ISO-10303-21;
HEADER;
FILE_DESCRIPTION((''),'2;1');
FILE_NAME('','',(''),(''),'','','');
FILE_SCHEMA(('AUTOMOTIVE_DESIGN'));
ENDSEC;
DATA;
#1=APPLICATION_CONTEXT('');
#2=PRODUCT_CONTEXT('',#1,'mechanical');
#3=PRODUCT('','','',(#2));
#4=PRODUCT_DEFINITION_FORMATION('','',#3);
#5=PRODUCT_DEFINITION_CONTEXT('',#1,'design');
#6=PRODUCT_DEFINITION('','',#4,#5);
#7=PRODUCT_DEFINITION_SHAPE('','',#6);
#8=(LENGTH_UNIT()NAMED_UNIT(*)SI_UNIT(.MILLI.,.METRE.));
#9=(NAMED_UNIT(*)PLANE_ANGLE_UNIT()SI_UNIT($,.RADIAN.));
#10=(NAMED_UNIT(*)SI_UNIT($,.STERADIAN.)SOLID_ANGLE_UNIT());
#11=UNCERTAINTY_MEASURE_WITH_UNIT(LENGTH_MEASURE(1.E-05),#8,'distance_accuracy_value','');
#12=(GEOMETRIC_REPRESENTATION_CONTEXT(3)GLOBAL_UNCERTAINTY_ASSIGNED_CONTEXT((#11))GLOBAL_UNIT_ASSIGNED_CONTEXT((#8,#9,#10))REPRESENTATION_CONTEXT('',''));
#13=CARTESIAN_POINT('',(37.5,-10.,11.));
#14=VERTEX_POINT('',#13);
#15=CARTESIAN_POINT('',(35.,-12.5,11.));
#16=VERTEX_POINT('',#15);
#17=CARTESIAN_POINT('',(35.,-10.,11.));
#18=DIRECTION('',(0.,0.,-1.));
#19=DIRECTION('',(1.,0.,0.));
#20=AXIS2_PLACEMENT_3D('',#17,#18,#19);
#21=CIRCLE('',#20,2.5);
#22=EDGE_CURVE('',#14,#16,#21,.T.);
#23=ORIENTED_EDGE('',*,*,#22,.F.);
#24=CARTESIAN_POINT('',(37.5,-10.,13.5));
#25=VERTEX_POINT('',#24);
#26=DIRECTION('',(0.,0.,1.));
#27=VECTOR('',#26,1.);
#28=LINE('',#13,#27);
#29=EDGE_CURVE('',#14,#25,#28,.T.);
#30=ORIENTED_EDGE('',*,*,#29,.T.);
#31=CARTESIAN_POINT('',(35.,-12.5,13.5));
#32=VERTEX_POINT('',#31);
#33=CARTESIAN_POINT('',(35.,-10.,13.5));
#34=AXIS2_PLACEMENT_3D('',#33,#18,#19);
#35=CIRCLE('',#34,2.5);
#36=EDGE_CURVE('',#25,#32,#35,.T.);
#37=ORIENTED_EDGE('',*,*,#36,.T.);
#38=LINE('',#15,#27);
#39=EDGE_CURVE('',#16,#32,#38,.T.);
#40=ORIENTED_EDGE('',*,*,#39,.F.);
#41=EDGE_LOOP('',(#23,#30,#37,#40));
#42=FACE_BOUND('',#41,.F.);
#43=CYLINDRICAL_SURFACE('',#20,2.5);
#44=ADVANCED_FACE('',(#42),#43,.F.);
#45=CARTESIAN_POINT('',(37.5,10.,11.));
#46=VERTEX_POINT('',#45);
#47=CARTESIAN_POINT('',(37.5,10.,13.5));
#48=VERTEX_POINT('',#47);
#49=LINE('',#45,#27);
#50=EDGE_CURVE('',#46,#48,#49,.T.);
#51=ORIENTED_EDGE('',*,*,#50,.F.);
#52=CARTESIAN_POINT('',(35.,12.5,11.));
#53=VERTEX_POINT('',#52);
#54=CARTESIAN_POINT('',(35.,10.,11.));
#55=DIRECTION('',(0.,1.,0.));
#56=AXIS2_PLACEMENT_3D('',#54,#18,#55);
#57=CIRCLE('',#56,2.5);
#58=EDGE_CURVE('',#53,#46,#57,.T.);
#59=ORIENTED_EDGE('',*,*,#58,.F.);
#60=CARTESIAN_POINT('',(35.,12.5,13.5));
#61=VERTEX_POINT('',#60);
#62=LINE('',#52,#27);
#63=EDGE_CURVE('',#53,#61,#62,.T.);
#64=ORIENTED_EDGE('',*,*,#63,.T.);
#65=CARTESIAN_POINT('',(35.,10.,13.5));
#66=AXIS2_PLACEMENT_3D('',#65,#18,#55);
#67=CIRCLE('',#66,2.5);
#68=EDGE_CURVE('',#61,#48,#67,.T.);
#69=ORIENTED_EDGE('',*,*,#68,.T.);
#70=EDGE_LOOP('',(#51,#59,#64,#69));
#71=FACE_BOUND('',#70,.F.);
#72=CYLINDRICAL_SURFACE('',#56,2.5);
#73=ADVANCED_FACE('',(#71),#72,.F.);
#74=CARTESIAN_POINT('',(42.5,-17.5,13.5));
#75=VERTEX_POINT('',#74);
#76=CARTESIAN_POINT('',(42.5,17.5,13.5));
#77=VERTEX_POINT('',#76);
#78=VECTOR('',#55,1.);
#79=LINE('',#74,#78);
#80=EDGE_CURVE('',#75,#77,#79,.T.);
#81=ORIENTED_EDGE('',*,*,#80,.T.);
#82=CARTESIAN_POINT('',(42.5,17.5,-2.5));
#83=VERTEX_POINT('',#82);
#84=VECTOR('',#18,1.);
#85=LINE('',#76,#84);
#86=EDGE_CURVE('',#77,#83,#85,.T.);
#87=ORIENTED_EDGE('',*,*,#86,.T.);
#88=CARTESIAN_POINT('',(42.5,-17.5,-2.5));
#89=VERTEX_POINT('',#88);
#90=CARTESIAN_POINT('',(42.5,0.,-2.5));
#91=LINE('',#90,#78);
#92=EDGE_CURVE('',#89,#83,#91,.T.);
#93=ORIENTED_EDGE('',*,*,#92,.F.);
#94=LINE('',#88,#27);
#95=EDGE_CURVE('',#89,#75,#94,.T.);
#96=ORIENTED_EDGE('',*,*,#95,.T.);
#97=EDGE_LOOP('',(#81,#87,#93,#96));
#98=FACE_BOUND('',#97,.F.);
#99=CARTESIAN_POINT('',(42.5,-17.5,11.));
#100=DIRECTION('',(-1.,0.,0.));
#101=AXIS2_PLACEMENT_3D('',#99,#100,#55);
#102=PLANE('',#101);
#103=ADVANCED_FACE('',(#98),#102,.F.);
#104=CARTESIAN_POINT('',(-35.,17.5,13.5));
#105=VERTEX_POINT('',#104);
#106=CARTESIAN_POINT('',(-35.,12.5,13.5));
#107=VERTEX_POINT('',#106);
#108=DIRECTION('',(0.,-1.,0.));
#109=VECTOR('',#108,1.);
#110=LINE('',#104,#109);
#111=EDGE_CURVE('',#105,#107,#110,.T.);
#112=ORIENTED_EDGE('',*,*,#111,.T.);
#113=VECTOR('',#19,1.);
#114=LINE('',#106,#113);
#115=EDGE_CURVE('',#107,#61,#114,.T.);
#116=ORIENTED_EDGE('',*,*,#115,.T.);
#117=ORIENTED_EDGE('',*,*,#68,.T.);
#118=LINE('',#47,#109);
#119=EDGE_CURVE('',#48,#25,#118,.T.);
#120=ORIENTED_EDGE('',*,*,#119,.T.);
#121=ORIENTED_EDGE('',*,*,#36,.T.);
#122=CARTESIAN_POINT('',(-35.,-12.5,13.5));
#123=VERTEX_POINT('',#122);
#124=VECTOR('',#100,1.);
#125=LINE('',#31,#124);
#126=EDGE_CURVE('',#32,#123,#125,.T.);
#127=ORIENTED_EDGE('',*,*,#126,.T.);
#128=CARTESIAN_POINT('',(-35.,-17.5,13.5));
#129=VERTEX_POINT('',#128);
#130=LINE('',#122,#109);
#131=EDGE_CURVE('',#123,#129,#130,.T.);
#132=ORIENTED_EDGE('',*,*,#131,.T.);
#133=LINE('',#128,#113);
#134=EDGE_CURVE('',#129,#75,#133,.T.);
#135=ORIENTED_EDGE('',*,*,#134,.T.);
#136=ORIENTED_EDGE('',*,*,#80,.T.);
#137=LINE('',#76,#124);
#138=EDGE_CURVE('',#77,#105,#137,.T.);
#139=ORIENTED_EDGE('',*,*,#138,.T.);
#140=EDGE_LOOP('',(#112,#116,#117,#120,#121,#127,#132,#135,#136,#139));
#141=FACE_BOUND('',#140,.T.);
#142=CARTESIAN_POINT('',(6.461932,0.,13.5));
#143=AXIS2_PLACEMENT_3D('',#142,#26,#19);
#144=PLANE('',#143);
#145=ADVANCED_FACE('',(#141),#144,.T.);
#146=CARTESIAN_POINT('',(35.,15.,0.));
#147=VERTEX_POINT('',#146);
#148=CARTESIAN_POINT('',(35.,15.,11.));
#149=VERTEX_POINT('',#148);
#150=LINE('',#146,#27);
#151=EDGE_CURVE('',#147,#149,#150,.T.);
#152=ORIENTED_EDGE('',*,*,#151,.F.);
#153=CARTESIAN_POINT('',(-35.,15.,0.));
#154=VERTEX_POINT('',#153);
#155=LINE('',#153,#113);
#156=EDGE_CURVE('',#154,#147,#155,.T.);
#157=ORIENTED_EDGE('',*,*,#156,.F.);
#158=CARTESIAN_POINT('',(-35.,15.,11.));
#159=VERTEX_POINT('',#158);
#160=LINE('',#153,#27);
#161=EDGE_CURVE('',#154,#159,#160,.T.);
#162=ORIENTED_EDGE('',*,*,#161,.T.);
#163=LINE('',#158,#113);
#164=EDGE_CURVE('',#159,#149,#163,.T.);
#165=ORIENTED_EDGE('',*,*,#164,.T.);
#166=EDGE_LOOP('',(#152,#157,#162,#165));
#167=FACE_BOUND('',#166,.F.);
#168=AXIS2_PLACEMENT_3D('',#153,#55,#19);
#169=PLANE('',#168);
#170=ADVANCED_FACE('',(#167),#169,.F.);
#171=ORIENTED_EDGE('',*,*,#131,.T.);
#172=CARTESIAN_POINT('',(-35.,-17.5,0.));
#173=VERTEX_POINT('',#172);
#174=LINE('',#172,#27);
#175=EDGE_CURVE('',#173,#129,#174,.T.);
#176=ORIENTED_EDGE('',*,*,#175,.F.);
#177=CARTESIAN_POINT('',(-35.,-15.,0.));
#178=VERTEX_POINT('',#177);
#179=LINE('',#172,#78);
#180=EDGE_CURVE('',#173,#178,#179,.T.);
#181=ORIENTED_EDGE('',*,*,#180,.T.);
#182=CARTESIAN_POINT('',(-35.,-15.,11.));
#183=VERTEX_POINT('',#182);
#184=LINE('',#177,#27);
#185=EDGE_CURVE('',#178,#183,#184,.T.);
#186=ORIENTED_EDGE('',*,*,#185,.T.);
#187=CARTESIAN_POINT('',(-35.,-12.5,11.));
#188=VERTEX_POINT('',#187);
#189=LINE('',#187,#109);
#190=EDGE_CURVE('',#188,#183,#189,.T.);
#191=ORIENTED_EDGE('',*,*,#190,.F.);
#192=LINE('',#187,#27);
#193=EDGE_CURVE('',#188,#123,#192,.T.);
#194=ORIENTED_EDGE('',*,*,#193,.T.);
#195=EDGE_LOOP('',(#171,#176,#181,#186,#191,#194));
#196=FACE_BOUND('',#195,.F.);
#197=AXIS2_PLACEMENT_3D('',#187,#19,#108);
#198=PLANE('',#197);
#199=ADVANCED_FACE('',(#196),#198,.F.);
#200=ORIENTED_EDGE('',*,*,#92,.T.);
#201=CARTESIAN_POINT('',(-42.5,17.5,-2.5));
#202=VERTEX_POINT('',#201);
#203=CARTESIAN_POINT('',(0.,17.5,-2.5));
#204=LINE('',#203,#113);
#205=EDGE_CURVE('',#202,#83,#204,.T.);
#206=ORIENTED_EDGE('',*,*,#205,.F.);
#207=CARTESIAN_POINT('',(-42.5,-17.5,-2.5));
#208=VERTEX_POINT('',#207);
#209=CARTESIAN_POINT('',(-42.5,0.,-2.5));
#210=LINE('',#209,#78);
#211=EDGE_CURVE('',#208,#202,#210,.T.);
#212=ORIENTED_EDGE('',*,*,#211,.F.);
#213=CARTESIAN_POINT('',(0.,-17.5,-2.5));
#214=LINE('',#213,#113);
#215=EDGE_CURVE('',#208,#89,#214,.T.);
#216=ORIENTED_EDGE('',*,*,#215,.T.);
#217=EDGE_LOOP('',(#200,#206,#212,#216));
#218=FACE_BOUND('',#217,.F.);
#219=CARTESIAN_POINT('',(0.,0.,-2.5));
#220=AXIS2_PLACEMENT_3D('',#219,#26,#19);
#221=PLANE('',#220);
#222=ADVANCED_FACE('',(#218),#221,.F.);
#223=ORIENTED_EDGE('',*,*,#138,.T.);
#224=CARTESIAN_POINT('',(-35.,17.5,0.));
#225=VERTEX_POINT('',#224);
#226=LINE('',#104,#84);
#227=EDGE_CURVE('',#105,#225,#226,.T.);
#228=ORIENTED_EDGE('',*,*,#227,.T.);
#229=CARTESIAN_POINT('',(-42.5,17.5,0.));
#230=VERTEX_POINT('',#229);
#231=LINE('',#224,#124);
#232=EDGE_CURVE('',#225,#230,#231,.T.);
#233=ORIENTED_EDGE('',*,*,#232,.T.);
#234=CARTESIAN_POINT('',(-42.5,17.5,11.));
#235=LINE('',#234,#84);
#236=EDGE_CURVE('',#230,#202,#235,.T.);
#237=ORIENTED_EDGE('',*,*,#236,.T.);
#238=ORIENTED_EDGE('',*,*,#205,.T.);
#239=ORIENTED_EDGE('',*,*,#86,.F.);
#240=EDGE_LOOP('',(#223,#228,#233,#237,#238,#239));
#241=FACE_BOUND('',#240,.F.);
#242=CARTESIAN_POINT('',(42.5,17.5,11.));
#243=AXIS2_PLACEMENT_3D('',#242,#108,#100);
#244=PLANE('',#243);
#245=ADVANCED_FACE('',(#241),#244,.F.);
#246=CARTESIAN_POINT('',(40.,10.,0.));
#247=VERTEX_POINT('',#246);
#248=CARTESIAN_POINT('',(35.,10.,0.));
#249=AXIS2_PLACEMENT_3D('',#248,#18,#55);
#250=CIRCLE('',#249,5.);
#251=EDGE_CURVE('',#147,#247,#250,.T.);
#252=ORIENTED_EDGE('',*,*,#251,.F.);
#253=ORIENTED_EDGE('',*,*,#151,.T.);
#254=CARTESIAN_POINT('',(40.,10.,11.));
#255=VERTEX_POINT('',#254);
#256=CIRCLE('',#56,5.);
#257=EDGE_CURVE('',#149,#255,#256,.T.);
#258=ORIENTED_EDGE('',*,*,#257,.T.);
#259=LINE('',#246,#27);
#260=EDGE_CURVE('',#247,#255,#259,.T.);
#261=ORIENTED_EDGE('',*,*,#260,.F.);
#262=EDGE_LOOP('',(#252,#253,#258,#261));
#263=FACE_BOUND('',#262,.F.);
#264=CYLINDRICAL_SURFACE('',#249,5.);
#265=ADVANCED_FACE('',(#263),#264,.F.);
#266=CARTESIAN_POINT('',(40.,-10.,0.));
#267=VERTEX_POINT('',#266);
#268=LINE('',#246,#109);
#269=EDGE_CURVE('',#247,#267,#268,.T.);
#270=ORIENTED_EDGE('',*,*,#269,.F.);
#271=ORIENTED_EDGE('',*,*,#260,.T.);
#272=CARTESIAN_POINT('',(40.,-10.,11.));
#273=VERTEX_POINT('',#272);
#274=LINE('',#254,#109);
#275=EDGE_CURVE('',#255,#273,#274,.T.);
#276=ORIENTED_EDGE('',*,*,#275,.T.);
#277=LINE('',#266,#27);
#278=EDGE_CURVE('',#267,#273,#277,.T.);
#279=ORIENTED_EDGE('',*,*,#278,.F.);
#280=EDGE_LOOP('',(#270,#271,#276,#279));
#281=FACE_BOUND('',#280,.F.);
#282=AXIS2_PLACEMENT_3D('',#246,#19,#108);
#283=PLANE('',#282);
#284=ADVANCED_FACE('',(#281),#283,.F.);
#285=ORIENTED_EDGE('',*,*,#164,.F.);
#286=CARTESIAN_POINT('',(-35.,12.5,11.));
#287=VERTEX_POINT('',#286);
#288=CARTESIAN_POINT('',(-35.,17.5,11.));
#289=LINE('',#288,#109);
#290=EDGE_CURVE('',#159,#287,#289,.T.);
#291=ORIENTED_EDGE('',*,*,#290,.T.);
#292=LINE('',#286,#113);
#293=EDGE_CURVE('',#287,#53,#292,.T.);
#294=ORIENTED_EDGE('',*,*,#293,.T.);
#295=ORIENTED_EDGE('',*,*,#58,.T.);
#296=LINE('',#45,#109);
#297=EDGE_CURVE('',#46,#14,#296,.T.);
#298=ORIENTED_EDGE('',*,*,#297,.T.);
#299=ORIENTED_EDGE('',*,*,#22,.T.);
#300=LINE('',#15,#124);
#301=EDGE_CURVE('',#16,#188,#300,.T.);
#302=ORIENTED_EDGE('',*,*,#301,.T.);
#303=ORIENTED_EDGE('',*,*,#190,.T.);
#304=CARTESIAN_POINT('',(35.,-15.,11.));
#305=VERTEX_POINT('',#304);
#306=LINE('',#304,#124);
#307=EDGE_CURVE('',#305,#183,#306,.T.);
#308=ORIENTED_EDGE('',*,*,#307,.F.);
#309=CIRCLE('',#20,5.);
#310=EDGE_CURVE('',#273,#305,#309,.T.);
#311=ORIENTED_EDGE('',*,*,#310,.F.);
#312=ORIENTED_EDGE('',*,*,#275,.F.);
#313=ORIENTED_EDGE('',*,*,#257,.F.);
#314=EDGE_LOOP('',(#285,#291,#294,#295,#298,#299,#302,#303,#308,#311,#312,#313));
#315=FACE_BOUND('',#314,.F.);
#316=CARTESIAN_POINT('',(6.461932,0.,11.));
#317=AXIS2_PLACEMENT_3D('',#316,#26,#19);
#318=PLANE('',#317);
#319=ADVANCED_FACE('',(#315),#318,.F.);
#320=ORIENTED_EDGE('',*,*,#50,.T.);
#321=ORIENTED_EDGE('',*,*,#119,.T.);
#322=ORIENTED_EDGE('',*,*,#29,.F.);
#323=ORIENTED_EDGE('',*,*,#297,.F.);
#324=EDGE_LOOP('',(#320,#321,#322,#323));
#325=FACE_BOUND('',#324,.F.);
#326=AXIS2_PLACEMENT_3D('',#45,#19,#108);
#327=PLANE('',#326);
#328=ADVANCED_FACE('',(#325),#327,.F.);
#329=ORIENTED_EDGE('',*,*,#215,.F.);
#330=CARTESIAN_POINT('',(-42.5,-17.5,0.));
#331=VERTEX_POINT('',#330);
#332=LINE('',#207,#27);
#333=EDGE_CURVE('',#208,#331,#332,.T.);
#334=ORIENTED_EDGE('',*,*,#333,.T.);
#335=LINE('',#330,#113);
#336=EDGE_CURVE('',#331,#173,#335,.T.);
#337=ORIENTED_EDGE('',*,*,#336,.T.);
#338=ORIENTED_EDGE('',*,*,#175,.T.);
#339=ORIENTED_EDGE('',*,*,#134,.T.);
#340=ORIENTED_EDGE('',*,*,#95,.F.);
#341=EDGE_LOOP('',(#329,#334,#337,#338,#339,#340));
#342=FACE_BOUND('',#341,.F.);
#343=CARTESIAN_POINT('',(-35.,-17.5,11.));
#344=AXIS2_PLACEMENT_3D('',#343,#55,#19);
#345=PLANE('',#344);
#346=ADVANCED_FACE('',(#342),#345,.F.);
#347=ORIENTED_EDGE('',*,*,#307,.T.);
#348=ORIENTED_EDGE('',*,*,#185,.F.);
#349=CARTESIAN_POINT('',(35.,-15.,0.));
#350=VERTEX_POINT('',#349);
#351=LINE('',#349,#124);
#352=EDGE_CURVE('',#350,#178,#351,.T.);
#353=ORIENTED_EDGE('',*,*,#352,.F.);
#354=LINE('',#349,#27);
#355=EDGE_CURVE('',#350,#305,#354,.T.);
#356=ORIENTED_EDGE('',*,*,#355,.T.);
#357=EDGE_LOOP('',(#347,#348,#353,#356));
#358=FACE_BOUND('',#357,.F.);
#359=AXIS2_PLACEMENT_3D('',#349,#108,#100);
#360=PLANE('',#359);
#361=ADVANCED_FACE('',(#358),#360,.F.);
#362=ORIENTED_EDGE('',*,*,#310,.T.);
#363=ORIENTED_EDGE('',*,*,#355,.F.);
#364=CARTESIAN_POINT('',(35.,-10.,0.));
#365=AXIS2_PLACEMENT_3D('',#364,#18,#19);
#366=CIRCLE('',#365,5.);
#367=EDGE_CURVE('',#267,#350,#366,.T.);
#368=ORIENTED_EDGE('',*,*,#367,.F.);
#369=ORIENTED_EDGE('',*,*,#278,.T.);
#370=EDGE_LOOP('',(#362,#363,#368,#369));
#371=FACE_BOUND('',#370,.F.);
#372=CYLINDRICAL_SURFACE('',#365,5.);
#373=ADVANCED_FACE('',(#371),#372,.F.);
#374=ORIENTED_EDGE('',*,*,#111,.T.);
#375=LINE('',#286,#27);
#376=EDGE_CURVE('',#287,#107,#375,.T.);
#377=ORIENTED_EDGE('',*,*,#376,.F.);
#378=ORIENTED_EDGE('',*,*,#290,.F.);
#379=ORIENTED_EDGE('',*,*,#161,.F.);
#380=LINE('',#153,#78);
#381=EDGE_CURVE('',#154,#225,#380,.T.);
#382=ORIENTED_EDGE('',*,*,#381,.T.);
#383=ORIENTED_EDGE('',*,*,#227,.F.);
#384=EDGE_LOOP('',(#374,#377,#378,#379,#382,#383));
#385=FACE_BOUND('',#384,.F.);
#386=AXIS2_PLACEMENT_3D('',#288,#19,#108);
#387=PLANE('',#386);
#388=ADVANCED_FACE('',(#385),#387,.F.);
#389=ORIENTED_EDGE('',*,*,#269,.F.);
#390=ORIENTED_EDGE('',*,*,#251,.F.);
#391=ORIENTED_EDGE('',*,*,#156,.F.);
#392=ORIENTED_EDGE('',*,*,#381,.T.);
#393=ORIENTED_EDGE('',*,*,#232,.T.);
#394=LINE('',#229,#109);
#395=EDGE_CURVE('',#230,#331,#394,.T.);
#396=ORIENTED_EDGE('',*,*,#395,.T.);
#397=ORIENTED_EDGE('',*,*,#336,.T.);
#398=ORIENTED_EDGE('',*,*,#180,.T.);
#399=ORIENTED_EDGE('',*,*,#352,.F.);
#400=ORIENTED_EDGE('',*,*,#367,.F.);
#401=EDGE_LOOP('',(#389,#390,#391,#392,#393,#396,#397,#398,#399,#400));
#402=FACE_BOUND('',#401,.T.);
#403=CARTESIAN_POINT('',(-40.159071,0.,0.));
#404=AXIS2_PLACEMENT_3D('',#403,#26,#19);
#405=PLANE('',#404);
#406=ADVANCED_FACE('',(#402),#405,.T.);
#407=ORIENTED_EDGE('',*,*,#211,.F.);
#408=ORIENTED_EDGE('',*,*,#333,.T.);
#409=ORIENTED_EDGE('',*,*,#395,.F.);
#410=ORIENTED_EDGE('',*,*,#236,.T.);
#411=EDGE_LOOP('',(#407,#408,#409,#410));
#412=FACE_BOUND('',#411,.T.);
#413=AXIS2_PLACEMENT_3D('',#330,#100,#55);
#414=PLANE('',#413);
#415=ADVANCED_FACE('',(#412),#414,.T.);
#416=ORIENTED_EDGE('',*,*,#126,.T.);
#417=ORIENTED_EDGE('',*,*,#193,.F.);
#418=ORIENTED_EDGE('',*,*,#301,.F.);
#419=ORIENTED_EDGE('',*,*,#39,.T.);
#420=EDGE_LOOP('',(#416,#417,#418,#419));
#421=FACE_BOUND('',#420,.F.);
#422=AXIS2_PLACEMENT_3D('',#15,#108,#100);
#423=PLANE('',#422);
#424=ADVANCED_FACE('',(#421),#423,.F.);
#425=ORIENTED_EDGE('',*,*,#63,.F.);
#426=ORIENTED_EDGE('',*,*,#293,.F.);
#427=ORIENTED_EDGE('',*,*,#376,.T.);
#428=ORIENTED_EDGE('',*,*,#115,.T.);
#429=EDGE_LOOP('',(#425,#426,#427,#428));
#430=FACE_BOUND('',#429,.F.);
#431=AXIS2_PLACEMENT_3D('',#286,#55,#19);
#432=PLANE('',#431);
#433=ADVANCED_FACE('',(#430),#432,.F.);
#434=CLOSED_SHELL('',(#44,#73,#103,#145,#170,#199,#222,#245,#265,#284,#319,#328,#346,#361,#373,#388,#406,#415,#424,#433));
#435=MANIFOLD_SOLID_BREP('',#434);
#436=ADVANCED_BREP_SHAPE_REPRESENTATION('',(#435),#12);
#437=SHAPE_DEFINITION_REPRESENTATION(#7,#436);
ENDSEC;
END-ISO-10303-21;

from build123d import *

# Parameters (mm, degrees)
F0_W     = 85
F0_H     = 35
F1_DEPTH = 2.5
F2_DEPTH = 11
F4_DEPTH = 11
F6_DEPTH = 2.5


with BuildPart() as f1:
    # F0 (on Top) → F1 (new body)
    with BuildSketch(Plane.XY):
        Rectangle(F0_W, F0_H)
        with BuildLine():
            ThreePointArc((-40, 10), (-38.5355339059, 13.5355339059), (-35, 15))
            Line((-35, 15), (35, 15))
            ThreePointArc((35, 15), (38.5355339059, 13.5355339059), (40, 10))
            Line((40, 10), (40, -10))
            ThreePointArc((40, -10), (38.5355339059, -13.5355339059), (35, -15))
            Line((35, -15), (-35, -15))
            ThreePointArc((-35, -15), (-38.5355339059, -13.5355339059), (-40, -10))
            Line((-40, -10), (-40, 10))
        make_face(mode=Mode.SUBTRACT)
        with BuildLine():
            Line((35, 15), (-35, 15))
            ThreePointArc((-35, 15), (-38.5355339059, 13.5355339059), (-40, 10))
            Line((-40, 10), (-40, -10))
            ThreePointArc((-40, -10), (-38.5355339059, -13.5355339059), (-35, -15))
            Line((-35, -15), (35, -15))
            ThreePointArc((35, -15), (38.5355339059, -13.5355339059), (40, -10))
            Line((40, -10), (40, 10))
            ThreePointArc((40, 10), (38.5355339059, 13.5355339059), (35, 15))
        make_face()
    extrude(amount=-F1_DEPTH)

    # F0 (on Top) → F2 (join)
    with BuildSketch(Plane.XY):
        Rectangle(F0_W, F0_H)
        with BuildLine():
            ThreePointArc((-40, 10), (-38.5355339059, 13.5355339059), (-35, 15))
            Line((-35, 15), (35, 15))
            ThreePointArc((35, 15), (38.5355339059, 13.5355339059), (40, 10))
            Line((40, 10), (40, -10))
            ThreePointArc((40, -10), (38.5355339059, -13.5355339059), (35, -15))
            Line((35, -15), (-35, -15))
            ThreePointArc((-35, -15), (-38.5355339059, -13.5355339059), (-40, -10))
            Line((-40, -10), (-40, 10))
        make_face(mode=Mode.SUBTRACT)
    extrude(amount=F2_DEPTH)

    # F3 (on face) → F4 (cut, through all)
    with BuildSketch(Plane.XY.offset(11)):
        with BuildLine():
            Line((-35, 15), (-35, 17.5))
            Line((-35, 17.5), (-42.5, 17.5))
            Line((-42.5, 17.5), (-42.5, -17.5))
            Line((-42.5, -17.5), (-35, -17.5))
            Line((-35, -17.5), (-35, -15))
            ThreePointArc((-35, -15), (-38.5355339059, -13.5355339059), (-40, -10))
            Line((-40, -10), (-40, 10))
            ThreePointArc((-40, 10), (-38.5355339059, 13.5355339059), (-35, 15))
        make_face()
    extrude(amount=-F4_DEPTH, mode=Mode.SUBTRACT)

    # F5 (on face) → F6 (join)
    with BuildSketch(Plane.XY.offset(11)):
        with BuildLine():
            Line((-35, 12.4999995357), (35, 12.4999995357))
            ThreePointArc((35, 12.4999995357), (36.7677666247, 11.7677666247), (37.4999995357, 10))
            Line((37.4999995357, 10), (37.4999995357, -10))
            ThreePointArc((37.4999995357, -10), (36.7677666247, -11.7677666247), (35, -12.4999995357))
            Line((35, -12.4999995357), (-35, -12.4999995357))
            Line((-35, -12.4999995357), (-35, -15))
            Line((-35, -15), (35, -15))
            ThreePointArc((35, -15), (38.5355339059, -13.5355339059), (40, -10))
            Line((40, -10), (40, 10))
            ThreePointArc((40, 10), (38.5355339059, 13.5355339059), (35, 15))
            Line((35, 15), (-35, 15))
            Line((-35, 15), (-35, 12.4999995357))
        make_face()
        with BuildLine():
            Line((-35, 17.5), (-35, 15))
            Line((-35, 15), (35, 15))
            ThreePointArc((35, 15), (38.5355339059, 13.5355339059), (40, 10))
            Line((40, 10), (40, -10))
            ThreePointArc((40, -10), (38.5355339059, -13.5355339059), (35, -15))
            Line((35, -15), (-35, -15))
            Line((-35, -15), (-35, -17.5))
            Line((-35, -17.5), (42.5, -17.5))
            Line((42.5, -17.5), (42.5, 17.5))
            Line((42.5, 17.5), (-35, 17.5))
        make_face()
    extrude(amount=F6_DEPTH)


solid = f1.part
